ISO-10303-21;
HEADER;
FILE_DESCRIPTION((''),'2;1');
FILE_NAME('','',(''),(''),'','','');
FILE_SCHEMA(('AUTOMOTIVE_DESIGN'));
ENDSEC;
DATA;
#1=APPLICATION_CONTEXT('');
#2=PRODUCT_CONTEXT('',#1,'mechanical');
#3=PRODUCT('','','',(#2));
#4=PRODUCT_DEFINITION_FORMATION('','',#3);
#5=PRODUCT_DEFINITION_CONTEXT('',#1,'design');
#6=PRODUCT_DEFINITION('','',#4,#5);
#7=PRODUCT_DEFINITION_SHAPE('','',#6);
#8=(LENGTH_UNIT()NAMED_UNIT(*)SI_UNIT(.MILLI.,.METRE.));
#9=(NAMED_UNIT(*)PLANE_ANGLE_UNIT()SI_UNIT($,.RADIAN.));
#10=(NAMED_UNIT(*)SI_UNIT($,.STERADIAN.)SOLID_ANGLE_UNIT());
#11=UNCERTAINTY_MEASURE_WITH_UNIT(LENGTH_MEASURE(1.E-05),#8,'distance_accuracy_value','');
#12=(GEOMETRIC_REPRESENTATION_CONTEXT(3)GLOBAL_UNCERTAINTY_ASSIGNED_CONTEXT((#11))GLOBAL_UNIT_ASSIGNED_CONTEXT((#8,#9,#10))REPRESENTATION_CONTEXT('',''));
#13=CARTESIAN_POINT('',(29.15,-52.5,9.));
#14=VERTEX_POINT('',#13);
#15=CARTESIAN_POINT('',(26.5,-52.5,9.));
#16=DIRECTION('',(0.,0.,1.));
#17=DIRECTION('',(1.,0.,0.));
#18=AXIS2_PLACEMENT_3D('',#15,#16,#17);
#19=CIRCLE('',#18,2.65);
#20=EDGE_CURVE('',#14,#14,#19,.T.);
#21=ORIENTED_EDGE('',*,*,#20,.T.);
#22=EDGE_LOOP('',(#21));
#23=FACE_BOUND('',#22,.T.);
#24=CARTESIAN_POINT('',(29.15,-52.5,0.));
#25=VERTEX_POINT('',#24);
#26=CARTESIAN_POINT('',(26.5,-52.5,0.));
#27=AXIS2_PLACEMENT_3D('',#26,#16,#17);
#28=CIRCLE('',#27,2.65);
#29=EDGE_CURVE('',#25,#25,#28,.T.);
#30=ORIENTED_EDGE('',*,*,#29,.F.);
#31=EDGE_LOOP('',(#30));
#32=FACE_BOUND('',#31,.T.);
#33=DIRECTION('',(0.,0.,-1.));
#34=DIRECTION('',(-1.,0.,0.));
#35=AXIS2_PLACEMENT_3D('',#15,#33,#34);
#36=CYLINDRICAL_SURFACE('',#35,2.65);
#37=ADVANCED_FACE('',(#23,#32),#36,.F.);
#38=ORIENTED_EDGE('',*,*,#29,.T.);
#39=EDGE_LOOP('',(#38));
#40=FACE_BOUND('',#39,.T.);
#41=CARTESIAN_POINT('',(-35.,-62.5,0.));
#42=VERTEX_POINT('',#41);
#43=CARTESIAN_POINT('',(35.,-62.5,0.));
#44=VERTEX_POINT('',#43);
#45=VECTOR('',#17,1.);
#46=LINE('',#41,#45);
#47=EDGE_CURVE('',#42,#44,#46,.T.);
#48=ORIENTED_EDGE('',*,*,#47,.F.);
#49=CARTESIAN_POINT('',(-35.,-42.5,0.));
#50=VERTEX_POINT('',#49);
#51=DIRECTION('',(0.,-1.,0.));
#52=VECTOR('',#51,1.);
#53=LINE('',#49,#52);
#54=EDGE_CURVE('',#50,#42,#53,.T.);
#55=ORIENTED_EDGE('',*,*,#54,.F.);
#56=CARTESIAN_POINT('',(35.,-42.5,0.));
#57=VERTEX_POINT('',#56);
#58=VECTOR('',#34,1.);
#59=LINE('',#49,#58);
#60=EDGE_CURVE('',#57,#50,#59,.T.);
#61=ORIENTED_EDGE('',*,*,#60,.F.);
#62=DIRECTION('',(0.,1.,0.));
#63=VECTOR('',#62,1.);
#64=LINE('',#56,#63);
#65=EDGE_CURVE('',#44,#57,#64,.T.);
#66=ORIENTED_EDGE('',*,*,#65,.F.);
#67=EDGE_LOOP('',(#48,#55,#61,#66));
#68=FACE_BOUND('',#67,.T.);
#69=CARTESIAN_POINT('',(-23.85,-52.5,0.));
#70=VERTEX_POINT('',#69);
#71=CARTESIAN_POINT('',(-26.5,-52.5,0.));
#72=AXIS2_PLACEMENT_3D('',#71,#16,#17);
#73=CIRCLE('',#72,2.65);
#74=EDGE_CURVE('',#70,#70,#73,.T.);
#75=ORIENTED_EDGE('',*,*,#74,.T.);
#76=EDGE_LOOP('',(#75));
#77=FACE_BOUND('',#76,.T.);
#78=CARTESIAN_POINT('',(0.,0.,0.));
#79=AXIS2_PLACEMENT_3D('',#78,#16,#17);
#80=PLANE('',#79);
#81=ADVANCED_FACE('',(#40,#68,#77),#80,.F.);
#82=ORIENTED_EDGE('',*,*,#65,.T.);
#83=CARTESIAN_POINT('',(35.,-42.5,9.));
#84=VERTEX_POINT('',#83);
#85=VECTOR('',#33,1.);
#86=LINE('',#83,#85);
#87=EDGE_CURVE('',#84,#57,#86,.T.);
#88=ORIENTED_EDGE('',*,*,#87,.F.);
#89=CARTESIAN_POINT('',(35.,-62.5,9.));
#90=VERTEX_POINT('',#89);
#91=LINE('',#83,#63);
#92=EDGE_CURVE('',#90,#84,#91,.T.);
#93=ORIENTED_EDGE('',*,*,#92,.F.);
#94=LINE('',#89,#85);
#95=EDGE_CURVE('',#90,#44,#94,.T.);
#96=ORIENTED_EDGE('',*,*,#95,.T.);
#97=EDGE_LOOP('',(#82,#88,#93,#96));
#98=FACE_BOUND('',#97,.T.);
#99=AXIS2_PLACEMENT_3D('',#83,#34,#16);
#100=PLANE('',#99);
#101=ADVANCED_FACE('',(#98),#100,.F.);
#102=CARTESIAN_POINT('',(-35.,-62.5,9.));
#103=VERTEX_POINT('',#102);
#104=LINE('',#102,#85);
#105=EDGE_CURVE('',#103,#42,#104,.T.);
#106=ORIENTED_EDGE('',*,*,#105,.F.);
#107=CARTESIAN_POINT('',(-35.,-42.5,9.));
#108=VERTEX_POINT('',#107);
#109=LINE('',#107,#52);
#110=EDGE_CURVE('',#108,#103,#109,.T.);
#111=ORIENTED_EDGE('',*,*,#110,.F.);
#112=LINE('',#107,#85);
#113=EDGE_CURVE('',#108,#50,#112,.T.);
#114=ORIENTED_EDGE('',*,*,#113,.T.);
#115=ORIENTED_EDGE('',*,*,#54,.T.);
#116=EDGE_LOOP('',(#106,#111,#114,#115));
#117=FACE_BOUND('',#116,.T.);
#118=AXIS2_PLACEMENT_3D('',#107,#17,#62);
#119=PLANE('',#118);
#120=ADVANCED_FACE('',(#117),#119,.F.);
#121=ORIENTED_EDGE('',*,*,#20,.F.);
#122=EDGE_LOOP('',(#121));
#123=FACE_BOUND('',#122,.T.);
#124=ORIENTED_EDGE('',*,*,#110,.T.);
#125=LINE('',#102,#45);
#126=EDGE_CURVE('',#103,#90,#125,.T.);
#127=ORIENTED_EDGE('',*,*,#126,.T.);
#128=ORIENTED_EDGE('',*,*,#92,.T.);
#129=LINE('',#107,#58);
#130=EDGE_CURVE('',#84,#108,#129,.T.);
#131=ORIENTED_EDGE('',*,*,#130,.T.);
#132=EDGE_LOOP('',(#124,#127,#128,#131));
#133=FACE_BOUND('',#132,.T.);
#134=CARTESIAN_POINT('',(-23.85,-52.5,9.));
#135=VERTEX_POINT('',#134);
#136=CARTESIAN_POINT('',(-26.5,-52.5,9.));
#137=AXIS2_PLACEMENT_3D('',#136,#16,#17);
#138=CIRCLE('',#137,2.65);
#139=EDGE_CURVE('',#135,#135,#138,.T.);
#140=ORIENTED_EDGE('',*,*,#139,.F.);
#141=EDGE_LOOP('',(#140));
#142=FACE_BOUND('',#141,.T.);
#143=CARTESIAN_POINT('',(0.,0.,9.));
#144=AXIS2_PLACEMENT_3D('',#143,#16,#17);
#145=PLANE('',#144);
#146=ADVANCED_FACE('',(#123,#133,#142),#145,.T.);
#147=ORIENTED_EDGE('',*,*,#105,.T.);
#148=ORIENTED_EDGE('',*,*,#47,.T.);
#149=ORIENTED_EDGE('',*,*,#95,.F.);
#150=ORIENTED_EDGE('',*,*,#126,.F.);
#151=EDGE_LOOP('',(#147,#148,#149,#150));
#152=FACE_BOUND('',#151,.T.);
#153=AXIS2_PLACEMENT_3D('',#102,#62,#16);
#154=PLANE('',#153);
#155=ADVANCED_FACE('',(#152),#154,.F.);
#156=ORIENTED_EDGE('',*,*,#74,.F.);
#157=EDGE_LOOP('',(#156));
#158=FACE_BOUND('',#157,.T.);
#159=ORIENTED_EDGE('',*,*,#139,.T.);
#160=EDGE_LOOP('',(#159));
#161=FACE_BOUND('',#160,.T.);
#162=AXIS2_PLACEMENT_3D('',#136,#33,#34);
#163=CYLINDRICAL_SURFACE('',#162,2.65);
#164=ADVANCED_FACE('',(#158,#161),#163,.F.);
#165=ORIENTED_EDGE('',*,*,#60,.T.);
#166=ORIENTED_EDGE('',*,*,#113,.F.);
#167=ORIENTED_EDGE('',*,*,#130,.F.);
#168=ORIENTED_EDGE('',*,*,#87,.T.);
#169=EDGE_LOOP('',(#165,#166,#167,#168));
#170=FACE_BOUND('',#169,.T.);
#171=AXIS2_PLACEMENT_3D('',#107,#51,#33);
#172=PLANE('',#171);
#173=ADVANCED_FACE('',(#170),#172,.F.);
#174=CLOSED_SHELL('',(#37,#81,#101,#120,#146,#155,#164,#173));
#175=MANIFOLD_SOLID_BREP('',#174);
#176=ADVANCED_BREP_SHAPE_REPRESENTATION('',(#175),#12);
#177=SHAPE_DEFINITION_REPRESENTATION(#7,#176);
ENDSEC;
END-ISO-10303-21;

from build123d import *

# Parameters (mm, degrees)
SKETCH1_W      = 70
SKETCH1_H      = 20
SKETCH1_R      = 2.65
EXTRUDE1_DEPTH = 9


with BuildPart() as part:
    # Sketch1 → Extrude1 (new body)
    with BuildSketch(Plane.XY):
        with Locations((0, -52.5)):
            Rectangle(SKETCH1_W, SKETCH1_H)
        with Locations((26.5, -52.5)):
            Circle(SKETCH1_R, mode=Mode.SUBTRACT)
        with Locations((-26.5, -52.5)):
            Circle(SKETCH1_R, mode=Mode.SUBTRACT)
    extrude(amount=EXTRUDE1_DEPTH)


solid = part.part
